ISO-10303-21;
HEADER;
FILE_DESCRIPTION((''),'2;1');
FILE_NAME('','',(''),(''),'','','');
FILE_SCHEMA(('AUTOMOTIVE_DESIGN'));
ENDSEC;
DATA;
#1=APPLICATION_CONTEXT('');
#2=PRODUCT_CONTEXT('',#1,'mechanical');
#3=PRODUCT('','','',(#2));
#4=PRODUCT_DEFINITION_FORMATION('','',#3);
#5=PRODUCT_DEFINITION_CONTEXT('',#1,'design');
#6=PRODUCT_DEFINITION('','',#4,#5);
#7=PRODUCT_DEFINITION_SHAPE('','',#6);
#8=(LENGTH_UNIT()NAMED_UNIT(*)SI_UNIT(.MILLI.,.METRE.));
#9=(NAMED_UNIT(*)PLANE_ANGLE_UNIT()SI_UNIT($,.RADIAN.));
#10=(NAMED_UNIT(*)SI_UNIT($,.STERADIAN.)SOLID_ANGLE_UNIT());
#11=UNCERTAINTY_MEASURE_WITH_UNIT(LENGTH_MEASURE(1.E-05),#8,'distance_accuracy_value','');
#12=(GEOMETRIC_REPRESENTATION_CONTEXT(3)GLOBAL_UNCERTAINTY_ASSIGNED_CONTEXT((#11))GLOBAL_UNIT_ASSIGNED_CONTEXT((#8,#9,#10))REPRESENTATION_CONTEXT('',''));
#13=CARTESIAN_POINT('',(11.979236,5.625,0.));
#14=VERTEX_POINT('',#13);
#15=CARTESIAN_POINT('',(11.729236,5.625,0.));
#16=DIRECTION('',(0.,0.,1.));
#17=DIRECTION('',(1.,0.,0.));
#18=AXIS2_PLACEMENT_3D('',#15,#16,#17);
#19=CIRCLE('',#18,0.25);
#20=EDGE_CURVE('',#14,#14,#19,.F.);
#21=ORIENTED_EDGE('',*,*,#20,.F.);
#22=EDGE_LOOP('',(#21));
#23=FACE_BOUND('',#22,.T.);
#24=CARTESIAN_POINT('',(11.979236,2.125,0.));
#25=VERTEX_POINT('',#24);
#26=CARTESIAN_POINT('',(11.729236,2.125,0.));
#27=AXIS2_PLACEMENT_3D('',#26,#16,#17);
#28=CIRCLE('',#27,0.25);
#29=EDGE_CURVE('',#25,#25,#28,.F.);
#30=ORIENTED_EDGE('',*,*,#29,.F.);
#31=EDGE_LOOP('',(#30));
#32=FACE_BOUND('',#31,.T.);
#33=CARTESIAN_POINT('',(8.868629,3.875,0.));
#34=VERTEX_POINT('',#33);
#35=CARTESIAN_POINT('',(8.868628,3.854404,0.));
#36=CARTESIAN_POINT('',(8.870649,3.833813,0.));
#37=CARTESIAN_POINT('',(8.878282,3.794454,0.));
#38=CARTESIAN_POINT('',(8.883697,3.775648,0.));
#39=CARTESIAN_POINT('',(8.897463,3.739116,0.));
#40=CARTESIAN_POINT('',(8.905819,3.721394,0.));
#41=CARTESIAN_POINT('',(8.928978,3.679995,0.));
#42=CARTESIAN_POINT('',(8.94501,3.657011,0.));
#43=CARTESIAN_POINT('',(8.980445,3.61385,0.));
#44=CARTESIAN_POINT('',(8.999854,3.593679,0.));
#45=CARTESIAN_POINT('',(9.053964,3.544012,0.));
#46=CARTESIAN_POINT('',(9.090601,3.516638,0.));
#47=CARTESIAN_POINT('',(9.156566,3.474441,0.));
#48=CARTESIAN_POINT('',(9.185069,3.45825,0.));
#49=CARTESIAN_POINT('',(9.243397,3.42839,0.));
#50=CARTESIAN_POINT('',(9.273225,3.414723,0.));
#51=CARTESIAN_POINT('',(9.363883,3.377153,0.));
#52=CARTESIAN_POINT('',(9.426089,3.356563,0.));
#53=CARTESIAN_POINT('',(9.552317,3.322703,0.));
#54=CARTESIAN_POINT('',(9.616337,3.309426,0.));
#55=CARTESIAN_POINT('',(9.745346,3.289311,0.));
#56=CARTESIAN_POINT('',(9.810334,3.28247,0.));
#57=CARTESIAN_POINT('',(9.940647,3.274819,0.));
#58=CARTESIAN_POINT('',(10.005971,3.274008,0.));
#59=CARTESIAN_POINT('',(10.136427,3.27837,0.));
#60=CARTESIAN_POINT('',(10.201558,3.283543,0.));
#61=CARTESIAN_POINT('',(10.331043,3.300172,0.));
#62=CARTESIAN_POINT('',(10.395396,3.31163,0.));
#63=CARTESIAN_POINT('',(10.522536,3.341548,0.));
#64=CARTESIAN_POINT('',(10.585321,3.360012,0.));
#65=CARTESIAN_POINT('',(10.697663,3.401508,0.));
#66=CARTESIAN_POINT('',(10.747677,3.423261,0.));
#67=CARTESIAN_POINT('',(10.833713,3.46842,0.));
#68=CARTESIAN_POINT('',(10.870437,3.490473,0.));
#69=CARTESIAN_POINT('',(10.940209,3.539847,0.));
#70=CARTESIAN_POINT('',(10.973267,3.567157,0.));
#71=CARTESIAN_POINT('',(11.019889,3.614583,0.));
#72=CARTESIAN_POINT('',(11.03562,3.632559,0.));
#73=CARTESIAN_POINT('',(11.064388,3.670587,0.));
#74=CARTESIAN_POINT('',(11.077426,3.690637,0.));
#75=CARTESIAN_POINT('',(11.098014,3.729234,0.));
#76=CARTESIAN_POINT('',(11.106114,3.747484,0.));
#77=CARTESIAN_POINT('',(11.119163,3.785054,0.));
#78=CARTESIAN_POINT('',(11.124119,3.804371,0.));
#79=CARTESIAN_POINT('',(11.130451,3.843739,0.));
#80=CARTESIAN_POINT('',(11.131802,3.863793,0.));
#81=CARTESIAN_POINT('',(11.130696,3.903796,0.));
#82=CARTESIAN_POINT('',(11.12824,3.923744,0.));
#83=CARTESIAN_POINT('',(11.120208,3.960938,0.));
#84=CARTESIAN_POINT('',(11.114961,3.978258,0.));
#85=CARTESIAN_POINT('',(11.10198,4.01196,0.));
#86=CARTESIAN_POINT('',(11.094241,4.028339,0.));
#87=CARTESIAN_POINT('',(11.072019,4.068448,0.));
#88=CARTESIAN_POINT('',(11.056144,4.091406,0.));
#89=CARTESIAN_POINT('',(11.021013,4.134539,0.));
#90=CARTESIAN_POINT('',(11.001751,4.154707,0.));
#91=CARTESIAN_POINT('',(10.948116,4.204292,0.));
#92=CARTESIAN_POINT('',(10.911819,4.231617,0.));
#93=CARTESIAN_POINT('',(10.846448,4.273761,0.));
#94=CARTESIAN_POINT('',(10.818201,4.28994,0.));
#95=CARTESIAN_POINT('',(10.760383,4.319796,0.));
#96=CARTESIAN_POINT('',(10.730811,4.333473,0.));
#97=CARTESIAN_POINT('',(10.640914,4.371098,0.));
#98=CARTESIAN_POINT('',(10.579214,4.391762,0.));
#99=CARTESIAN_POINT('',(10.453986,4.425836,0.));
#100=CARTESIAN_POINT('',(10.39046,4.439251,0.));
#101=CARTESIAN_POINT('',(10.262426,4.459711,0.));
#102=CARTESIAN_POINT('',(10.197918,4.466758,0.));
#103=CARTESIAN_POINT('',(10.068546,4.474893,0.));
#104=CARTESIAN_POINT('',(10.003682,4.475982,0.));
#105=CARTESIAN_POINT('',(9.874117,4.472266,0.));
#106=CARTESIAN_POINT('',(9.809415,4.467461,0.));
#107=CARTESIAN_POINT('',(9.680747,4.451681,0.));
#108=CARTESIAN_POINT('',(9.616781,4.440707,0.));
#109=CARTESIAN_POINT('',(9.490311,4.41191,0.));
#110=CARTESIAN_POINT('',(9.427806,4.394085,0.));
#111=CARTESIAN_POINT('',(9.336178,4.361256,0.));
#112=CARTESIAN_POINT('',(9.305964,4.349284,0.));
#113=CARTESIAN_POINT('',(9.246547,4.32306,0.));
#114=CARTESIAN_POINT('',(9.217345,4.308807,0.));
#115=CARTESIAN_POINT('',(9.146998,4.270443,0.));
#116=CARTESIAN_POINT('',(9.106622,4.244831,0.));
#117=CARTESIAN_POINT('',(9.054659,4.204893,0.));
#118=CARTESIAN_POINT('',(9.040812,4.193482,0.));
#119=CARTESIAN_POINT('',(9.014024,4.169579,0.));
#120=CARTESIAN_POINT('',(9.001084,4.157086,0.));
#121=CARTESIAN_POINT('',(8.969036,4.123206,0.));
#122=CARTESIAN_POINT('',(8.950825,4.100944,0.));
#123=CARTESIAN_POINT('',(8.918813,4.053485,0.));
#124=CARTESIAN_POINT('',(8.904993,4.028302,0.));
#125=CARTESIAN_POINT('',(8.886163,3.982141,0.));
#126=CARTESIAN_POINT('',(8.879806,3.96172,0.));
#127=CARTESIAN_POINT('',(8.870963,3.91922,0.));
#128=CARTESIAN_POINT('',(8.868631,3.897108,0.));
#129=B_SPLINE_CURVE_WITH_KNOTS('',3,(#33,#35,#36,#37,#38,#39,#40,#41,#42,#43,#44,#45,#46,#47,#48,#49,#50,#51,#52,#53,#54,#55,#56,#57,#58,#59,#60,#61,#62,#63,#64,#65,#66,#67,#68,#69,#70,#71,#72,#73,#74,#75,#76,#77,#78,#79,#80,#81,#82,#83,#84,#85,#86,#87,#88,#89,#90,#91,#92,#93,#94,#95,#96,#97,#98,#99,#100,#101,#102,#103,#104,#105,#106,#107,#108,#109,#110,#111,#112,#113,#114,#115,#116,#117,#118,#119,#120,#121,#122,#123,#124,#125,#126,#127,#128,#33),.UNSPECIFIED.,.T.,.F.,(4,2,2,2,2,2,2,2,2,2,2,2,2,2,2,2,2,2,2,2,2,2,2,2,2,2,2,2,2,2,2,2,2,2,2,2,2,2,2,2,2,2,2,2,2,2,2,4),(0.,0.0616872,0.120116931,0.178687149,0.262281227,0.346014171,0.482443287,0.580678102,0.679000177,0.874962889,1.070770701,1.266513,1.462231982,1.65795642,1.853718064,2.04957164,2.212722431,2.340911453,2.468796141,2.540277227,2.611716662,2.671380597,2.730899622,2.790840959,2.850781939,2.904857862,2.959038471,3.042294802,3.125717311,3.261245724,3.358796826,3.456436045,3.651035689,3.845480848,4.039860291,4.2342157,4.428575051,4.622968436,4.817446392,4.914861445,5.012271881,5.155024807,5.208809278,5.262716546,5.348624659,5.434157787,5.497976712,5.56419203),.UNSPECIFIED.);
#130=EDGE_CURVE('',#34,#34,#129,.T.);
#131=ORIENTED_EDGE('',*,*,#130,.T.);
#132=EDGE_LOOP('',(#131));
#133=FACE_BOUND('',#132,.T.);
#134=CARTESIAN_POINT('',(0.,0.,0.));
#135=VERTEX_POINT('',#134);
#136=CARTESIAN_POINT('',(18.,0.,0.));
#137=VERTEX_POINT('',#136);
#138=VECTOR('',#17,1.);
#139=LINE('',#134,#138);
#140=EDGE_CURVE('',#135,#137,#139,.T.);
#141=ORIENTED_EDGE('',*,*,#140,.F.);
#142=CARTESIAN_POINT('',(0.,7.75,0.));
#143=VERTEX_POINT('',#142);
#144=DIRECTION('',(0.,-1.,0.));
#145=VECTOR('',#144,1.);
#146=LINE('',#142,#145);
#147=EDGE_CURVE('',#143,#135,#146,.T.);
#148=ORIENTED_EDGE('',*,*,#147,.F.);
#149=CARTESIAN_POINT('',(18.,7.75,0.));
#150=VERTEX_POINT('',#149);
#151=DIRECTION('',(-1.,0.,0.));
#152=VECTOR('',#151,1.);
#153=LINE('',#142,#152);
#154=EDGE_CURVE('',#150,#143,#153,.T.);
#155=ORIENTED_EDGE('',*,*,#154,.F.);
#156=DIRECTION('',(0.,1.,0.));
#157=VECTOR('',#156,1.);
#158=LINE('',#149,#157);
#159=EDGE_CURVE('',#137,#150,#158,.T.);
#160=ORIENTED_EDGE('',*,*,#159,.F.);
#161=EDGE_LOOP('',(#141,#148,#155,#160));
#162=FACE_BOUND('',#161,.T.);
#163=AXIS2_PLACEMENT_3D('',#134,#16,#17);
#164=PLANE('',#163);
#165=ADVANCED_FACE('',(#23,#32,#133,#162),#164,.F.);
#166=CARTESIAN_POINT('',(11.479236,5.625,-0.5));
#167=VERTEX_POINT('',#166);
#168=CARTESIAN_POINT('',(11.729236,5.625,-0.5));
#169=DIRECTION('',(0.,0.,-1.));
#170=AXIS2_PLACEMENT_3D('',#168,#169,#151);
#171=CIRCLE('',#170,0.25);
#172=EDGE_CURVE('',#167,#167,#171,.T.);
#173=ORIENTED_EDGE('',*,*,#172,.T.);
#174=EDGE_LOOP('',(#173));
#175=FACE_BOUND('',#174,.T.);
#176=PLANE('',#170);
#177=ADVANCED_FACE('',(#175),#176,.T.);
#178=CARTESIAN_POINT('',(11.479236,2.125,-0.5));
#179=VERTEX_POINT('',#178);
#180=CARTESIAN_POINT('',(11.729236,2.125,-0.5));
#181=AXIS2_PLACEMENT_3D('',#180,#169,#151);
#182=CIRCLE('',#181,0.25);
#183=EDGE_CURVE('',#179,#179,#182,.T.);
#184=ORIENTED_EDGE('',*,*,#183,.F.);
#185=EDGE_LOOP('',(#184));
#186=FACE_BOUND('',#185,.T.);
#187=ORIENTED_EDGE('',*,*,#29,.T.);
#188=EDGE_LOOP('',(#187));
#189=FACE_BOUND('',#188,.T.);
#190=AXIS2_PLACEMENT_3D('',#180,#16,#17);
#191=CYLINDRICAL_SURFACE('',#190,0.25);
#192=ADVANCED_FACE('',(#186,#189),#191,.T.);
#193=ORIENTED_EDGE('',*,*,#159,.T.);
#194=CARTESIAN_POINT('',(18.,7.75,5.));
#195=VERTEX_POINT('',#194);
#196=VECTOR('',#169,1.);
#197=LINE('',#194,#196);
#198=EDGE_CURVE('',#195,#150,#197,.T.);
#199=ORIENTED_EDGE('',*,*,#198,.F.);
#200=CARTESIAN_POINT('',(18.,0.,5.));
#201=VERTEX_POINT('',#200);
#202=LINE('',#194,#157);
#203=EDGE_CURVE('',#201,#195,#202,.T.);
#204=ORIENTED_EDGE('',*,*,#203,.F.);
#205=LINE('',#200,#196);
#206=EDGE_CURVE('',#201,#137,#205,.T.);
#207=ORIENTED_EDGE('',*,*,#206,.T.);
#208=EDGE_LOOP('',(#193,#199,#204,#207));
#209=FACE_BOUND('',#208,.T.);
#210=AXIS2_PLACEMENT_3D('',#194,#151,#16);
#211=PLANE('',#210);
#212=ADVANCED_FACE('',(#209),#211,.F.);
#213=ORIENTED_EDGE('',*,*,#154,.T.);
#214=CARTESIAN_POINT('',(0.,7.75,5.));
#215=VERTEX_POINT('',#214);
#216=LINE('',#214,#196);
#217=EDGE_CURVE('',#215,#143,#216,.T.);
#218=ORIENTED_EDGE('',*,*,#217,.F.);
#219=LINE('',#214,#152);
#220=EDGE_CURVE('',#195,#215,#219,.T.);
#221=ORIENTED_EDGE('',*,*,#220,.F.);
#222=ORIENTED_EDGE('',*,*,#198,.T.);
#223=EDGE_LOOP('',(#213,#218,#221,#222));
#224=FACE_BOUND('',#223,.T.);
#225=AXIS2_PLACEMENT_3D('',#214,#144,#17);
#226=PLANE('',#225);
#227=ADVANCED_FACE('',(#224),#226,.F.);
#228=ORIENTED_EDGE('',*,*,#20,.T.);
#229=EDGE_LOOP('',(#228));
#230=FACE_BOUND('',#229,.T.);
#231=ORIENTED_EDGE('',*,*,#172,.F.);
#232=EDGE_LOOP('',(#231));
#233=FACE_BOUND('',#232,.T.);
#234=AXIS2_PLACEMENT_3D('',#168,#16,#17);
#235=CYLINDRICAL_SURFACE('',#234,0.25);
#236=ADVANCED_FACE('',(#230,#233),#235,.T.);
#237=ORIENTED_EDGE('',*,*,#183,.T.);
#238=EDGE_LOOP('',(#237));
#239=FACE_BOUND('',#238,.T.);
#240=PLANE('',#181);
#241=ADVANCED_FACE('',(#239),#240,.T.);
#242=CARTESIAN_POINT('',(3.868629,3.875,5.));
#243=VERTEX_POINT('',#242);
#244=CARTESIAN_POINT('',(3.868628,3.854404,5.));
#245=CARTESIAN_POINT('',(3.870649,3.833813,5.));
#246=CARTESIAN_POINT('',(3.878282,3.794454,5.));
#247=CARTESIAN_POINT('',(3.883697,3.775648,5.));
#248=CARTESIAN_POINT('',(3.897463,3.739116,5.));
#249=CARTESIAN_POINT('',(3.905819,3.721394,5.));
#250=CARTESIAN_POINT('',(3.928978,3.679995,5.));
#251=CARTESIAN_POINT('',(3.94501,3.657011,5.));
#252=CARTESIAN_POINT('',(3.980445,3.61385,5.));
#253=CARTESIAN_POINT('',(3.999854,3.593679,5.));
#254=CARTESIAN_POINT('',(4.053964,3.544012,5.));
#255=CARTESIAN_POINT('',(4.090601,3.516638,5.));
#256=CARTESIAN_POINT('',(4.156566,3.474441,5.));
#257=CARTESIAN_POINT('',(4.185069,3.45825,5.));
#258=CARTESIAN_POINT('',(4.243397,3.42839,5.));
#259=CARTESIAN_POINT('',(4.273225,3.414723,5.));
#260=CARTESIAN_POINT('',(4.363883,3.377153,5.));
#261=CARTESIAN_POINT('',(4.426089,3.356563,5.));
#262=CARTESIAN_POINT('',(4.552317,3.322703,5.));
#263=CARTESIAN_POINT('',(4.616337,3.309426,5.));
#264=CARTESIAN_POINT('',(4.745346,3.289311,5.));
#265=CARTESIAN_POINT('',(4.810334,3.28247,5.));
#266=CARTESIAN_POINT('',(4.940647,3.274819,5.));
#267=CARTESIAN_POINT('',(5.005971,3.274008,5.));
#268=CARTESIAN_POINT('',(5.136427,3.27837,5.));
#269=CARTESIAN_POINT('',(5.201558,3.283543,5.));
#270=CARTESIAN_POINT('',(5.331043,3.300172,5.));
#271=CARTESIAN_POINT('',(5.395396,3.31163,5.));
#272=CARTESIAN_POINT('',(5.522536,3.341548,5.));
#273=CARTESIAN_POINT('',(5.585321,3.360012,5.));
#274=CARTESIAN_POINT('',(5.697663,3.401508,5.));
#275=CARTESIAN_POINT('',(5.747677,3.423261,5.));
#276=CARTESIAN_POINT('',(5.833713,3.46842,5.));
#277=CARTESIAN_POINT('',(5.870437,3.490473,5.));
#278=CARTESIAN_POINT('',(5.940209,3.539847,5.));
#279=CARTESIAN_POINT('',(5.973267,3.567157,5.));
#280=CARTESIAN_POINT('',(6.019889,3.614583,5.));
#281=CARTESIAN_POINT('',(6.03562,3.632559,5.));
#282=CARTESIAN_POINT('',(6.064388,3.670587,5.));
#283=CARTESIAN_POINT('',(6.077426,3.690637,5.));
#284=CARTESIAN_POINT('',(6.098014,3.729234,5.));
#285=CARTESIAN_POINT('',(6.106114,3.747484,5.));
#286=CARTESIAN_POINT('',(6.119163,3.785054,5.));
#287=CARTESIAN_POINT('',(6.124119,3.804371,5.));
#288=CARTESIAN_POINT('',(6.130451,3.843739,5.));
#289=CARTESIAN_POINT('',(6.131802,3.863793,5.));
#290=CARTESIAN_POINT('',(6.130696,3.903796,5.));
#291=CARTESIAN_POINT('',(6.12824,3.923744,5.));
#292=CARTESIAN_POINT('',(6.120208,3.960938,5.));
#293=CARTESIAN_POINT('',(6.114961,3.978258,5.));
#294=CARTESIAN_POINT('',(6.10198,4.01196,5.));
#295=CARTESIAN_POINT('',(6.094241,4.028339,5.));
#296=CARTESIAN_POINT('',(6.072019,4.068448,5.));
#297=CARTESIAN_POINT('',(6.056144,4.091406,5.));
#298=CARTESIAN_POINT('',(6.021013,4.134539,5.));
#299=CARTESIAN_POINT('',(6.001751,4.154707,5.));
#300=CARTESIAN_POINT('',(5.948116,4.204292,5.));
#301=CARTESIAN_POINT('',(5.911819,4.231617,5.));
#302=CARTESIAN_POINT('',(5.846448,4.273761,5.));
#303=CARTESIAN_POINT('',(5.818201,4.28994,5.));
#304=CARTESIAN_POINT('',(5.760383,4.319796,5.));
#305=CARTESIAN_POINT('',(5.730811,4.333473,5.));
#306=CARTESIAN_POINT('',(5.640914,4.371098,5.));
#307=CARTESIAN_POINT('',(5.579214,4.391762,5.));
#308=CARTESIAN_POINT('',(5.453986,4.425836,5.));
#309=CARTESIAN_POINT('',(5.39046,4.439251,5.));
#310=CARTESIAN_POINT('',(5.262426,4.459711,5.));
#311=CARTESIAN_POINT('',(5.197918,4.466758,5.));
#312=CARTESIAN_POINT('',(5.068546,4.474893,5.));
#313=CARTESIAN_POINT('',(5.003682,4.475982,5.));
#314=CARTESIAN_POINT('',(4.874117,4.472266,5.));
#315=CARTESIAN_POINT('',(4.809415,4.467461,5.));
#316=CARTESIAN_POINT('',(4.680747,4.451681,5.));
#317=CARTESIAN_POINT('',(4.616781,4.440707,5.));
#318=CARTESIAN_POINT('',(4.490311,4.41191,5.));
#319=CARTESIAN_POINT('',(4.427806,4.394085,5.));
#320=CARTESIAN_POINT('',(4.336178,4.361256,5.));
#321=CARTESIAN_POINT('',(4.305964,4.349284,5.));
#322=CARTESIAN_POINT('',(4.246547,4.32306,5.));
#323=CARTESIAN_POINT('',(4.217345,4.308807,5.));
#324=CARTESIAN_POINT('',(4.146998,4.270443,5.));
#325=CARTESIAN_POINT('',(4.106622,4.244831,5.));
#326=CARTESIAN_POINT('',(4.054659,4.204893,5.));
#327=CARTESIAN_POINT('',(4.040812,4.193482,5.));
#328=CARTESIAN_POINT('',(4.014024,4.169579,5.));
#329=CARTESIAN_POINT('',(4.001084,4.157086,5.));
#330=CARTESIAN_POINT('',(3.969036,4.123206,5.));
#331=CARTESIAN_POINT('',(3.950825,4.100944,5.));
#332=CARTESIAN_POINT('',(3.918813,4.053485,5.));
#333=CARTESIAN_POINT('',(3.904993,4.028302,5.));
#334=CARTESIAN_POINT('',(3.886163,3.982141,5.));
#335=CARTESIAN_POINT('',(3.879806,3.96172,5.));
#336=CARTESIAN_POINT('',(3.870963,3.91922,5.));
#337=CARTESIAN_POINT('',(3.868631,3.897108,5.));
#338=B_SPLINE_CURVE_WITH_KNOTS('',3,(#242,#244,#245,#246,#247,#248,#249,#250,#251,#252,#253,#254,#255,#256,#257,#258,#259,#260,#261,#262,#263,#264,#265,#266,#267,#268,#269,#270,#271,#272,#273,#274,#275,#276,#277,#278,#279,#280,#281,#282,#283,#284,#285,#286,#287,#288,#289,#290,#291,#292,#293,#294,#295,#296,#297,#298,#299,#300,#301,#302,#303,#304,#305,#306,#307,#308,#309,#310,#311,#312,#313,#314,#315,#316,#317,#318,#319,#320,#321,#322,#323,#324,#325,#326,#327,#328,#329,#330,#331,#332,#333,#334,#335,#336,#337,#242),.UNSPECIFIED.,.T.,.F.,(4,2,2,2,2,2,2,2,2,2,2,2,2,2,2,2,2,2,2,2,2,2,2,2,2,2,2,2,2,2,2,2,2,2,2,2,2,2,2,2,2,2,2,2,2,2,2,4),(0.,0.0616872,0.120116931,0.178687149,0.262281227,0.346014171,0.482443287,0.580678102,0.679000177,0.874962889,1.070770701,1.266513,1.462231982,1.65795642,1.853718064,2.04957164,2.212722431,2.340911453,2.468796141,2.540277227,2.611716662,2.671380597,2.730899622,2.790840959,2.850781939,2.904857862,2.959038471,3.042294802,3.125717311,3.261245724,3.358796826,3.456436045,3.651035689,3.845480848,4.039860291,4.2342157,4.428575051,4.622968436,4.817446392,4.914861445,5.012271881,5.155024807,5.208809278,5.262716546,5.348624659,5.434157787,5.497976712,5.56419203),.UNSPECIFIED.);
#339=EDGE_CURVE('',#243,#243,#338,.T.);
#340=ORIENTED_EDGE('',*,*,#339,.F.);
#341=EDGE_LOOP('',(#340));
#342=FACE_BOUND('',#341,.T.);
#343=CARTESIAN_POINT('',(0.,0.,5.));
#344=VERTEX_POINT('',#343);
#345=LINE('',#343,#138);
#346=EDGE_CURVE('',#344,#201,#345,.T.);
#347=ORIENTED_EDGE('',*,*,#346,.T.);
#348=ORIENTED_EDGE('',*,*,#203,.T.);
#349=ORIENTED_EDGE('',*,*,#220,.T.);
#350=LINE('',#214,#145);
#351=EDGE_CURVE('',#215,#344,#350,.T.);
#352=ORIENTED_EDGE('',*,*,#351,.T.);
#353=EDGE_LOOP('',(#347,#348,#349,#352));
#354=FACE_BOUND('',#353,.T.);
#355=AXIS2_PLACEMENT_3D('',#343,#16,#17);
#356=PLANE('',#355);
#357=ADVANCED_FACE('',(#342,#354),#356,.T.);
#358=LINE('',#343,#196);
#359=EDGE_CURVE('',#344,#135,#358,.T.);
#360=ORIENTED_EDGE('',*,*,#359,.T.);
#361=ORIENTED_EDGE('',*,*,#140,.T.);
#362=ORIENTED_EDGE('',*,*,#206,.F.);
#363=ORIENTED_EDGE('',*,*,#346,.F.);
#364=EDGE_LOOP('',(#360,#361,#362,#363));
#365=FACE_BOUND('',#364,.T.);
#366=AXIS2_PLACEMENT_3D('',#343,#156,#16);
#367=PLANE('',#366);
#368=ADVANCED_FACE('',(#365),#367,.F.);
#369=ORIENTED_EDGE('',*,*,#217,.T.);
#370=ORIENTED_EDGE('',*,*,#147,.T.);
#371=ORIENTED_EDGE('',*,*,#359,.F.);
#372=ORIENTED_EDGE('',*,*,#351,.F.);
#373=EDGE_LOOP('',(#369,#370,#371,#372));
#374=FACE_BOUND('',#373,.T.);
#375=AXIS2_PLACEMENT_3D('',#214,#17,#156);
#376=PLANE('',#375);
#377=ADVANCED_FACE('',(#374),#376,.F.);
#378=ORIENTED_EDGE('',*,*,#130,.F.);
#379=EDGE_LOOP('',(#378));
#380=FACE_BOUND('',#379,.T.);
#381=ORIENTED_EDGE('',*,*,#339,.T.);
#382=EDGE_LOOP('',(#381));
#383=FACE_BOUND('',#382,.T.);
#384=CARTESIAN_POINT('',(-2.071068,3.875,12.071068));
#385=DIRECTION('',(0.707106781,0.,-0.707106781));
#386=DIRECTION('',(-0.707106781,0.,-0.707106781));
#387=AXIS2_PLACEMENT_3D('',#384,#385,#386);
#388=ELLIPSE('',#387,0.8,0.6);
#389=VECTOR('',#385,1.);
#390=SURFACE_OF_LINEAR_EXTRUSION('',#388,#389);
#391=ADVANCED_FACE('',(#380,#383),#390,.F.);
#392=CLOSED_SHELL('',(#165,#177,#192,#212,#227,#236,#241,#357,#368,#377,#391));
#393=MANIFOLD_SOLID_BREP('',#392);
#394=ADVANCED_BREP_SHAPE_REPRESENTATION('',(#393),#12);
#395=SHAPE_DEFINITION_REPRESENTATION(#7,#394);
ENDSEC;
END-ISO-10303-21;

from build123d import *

# Parameters (mm, degrees)
ESQUISSE1_W                  = 18
ESQUISSE1_H                  = 7.75
BOSS_EXTRU_1_DEPTH           = 5
ENL_V_MAT_EXTRU_1_DEPTH      = 15
ENL_V_MAT_EXTRU_1_DEPTH_BACK = 10
ESQUISSE13_RX                = 0.8
ESQUISSE13_RY                = 0.6
ESQUISSE15_R                 = 0.25
BOSS_EXTRU_3_DEPTH           = 0.5


with BuildPart() as part:
    # Esquisse1 → Boss.-Extru.1 (new body)
    with BuildSketch(Plane.XY):
        with Locations((9, 3.875)):
            Rectangle(ESQUISSE1_W, ESQUISSE1_H)
    extrude(amount=BOSS_EXTRU_1_DEPTH)

    # Esquisse13 → Enlèv. mat.-Extru.1 (cut, two sides: drawn at the far end of the back side and taken through both)
    with BuildSketch(Plane(origin=(5, 3.875, 5), x_dir=(-0.7071067811865476, 0, -0.7071067811865475), z_dir=(0.7071067811865475, 0, -0.7071067811865476)).offset(-ENL_V_MAT_EXTRU_1_DEPTH_BACK)):
        with Locations(Location((0, 0), (0, 0, 0))):
            Ellipse(ESQUISSE13_RX, ESQUISSE13_RY)
    extrude(amount=ENL_V_MAT_EXTRU_1_DEPTH + ENL_V_MAT_EXTRU_1_DEPTH_BACK, mode=Mode.SUBTRACT)

    # Esquisse15 → Boss.-Extru.3 (add)
    with BuildSketch(Plane(origin=(0, 0, 0), x_dir=(-1, 0, 0), z_dir=(0, 0, -1))):
        with Locations((-11.729236125, 2.125)):
            Circle(ESQUISSE15_R)
        with Locations((-11.729236125, 5.625)):
            Circle(ESQUISSE15_R)
    extrude(amount=BOSS_EXTRU_3_DEPTH)


solid = part.part
